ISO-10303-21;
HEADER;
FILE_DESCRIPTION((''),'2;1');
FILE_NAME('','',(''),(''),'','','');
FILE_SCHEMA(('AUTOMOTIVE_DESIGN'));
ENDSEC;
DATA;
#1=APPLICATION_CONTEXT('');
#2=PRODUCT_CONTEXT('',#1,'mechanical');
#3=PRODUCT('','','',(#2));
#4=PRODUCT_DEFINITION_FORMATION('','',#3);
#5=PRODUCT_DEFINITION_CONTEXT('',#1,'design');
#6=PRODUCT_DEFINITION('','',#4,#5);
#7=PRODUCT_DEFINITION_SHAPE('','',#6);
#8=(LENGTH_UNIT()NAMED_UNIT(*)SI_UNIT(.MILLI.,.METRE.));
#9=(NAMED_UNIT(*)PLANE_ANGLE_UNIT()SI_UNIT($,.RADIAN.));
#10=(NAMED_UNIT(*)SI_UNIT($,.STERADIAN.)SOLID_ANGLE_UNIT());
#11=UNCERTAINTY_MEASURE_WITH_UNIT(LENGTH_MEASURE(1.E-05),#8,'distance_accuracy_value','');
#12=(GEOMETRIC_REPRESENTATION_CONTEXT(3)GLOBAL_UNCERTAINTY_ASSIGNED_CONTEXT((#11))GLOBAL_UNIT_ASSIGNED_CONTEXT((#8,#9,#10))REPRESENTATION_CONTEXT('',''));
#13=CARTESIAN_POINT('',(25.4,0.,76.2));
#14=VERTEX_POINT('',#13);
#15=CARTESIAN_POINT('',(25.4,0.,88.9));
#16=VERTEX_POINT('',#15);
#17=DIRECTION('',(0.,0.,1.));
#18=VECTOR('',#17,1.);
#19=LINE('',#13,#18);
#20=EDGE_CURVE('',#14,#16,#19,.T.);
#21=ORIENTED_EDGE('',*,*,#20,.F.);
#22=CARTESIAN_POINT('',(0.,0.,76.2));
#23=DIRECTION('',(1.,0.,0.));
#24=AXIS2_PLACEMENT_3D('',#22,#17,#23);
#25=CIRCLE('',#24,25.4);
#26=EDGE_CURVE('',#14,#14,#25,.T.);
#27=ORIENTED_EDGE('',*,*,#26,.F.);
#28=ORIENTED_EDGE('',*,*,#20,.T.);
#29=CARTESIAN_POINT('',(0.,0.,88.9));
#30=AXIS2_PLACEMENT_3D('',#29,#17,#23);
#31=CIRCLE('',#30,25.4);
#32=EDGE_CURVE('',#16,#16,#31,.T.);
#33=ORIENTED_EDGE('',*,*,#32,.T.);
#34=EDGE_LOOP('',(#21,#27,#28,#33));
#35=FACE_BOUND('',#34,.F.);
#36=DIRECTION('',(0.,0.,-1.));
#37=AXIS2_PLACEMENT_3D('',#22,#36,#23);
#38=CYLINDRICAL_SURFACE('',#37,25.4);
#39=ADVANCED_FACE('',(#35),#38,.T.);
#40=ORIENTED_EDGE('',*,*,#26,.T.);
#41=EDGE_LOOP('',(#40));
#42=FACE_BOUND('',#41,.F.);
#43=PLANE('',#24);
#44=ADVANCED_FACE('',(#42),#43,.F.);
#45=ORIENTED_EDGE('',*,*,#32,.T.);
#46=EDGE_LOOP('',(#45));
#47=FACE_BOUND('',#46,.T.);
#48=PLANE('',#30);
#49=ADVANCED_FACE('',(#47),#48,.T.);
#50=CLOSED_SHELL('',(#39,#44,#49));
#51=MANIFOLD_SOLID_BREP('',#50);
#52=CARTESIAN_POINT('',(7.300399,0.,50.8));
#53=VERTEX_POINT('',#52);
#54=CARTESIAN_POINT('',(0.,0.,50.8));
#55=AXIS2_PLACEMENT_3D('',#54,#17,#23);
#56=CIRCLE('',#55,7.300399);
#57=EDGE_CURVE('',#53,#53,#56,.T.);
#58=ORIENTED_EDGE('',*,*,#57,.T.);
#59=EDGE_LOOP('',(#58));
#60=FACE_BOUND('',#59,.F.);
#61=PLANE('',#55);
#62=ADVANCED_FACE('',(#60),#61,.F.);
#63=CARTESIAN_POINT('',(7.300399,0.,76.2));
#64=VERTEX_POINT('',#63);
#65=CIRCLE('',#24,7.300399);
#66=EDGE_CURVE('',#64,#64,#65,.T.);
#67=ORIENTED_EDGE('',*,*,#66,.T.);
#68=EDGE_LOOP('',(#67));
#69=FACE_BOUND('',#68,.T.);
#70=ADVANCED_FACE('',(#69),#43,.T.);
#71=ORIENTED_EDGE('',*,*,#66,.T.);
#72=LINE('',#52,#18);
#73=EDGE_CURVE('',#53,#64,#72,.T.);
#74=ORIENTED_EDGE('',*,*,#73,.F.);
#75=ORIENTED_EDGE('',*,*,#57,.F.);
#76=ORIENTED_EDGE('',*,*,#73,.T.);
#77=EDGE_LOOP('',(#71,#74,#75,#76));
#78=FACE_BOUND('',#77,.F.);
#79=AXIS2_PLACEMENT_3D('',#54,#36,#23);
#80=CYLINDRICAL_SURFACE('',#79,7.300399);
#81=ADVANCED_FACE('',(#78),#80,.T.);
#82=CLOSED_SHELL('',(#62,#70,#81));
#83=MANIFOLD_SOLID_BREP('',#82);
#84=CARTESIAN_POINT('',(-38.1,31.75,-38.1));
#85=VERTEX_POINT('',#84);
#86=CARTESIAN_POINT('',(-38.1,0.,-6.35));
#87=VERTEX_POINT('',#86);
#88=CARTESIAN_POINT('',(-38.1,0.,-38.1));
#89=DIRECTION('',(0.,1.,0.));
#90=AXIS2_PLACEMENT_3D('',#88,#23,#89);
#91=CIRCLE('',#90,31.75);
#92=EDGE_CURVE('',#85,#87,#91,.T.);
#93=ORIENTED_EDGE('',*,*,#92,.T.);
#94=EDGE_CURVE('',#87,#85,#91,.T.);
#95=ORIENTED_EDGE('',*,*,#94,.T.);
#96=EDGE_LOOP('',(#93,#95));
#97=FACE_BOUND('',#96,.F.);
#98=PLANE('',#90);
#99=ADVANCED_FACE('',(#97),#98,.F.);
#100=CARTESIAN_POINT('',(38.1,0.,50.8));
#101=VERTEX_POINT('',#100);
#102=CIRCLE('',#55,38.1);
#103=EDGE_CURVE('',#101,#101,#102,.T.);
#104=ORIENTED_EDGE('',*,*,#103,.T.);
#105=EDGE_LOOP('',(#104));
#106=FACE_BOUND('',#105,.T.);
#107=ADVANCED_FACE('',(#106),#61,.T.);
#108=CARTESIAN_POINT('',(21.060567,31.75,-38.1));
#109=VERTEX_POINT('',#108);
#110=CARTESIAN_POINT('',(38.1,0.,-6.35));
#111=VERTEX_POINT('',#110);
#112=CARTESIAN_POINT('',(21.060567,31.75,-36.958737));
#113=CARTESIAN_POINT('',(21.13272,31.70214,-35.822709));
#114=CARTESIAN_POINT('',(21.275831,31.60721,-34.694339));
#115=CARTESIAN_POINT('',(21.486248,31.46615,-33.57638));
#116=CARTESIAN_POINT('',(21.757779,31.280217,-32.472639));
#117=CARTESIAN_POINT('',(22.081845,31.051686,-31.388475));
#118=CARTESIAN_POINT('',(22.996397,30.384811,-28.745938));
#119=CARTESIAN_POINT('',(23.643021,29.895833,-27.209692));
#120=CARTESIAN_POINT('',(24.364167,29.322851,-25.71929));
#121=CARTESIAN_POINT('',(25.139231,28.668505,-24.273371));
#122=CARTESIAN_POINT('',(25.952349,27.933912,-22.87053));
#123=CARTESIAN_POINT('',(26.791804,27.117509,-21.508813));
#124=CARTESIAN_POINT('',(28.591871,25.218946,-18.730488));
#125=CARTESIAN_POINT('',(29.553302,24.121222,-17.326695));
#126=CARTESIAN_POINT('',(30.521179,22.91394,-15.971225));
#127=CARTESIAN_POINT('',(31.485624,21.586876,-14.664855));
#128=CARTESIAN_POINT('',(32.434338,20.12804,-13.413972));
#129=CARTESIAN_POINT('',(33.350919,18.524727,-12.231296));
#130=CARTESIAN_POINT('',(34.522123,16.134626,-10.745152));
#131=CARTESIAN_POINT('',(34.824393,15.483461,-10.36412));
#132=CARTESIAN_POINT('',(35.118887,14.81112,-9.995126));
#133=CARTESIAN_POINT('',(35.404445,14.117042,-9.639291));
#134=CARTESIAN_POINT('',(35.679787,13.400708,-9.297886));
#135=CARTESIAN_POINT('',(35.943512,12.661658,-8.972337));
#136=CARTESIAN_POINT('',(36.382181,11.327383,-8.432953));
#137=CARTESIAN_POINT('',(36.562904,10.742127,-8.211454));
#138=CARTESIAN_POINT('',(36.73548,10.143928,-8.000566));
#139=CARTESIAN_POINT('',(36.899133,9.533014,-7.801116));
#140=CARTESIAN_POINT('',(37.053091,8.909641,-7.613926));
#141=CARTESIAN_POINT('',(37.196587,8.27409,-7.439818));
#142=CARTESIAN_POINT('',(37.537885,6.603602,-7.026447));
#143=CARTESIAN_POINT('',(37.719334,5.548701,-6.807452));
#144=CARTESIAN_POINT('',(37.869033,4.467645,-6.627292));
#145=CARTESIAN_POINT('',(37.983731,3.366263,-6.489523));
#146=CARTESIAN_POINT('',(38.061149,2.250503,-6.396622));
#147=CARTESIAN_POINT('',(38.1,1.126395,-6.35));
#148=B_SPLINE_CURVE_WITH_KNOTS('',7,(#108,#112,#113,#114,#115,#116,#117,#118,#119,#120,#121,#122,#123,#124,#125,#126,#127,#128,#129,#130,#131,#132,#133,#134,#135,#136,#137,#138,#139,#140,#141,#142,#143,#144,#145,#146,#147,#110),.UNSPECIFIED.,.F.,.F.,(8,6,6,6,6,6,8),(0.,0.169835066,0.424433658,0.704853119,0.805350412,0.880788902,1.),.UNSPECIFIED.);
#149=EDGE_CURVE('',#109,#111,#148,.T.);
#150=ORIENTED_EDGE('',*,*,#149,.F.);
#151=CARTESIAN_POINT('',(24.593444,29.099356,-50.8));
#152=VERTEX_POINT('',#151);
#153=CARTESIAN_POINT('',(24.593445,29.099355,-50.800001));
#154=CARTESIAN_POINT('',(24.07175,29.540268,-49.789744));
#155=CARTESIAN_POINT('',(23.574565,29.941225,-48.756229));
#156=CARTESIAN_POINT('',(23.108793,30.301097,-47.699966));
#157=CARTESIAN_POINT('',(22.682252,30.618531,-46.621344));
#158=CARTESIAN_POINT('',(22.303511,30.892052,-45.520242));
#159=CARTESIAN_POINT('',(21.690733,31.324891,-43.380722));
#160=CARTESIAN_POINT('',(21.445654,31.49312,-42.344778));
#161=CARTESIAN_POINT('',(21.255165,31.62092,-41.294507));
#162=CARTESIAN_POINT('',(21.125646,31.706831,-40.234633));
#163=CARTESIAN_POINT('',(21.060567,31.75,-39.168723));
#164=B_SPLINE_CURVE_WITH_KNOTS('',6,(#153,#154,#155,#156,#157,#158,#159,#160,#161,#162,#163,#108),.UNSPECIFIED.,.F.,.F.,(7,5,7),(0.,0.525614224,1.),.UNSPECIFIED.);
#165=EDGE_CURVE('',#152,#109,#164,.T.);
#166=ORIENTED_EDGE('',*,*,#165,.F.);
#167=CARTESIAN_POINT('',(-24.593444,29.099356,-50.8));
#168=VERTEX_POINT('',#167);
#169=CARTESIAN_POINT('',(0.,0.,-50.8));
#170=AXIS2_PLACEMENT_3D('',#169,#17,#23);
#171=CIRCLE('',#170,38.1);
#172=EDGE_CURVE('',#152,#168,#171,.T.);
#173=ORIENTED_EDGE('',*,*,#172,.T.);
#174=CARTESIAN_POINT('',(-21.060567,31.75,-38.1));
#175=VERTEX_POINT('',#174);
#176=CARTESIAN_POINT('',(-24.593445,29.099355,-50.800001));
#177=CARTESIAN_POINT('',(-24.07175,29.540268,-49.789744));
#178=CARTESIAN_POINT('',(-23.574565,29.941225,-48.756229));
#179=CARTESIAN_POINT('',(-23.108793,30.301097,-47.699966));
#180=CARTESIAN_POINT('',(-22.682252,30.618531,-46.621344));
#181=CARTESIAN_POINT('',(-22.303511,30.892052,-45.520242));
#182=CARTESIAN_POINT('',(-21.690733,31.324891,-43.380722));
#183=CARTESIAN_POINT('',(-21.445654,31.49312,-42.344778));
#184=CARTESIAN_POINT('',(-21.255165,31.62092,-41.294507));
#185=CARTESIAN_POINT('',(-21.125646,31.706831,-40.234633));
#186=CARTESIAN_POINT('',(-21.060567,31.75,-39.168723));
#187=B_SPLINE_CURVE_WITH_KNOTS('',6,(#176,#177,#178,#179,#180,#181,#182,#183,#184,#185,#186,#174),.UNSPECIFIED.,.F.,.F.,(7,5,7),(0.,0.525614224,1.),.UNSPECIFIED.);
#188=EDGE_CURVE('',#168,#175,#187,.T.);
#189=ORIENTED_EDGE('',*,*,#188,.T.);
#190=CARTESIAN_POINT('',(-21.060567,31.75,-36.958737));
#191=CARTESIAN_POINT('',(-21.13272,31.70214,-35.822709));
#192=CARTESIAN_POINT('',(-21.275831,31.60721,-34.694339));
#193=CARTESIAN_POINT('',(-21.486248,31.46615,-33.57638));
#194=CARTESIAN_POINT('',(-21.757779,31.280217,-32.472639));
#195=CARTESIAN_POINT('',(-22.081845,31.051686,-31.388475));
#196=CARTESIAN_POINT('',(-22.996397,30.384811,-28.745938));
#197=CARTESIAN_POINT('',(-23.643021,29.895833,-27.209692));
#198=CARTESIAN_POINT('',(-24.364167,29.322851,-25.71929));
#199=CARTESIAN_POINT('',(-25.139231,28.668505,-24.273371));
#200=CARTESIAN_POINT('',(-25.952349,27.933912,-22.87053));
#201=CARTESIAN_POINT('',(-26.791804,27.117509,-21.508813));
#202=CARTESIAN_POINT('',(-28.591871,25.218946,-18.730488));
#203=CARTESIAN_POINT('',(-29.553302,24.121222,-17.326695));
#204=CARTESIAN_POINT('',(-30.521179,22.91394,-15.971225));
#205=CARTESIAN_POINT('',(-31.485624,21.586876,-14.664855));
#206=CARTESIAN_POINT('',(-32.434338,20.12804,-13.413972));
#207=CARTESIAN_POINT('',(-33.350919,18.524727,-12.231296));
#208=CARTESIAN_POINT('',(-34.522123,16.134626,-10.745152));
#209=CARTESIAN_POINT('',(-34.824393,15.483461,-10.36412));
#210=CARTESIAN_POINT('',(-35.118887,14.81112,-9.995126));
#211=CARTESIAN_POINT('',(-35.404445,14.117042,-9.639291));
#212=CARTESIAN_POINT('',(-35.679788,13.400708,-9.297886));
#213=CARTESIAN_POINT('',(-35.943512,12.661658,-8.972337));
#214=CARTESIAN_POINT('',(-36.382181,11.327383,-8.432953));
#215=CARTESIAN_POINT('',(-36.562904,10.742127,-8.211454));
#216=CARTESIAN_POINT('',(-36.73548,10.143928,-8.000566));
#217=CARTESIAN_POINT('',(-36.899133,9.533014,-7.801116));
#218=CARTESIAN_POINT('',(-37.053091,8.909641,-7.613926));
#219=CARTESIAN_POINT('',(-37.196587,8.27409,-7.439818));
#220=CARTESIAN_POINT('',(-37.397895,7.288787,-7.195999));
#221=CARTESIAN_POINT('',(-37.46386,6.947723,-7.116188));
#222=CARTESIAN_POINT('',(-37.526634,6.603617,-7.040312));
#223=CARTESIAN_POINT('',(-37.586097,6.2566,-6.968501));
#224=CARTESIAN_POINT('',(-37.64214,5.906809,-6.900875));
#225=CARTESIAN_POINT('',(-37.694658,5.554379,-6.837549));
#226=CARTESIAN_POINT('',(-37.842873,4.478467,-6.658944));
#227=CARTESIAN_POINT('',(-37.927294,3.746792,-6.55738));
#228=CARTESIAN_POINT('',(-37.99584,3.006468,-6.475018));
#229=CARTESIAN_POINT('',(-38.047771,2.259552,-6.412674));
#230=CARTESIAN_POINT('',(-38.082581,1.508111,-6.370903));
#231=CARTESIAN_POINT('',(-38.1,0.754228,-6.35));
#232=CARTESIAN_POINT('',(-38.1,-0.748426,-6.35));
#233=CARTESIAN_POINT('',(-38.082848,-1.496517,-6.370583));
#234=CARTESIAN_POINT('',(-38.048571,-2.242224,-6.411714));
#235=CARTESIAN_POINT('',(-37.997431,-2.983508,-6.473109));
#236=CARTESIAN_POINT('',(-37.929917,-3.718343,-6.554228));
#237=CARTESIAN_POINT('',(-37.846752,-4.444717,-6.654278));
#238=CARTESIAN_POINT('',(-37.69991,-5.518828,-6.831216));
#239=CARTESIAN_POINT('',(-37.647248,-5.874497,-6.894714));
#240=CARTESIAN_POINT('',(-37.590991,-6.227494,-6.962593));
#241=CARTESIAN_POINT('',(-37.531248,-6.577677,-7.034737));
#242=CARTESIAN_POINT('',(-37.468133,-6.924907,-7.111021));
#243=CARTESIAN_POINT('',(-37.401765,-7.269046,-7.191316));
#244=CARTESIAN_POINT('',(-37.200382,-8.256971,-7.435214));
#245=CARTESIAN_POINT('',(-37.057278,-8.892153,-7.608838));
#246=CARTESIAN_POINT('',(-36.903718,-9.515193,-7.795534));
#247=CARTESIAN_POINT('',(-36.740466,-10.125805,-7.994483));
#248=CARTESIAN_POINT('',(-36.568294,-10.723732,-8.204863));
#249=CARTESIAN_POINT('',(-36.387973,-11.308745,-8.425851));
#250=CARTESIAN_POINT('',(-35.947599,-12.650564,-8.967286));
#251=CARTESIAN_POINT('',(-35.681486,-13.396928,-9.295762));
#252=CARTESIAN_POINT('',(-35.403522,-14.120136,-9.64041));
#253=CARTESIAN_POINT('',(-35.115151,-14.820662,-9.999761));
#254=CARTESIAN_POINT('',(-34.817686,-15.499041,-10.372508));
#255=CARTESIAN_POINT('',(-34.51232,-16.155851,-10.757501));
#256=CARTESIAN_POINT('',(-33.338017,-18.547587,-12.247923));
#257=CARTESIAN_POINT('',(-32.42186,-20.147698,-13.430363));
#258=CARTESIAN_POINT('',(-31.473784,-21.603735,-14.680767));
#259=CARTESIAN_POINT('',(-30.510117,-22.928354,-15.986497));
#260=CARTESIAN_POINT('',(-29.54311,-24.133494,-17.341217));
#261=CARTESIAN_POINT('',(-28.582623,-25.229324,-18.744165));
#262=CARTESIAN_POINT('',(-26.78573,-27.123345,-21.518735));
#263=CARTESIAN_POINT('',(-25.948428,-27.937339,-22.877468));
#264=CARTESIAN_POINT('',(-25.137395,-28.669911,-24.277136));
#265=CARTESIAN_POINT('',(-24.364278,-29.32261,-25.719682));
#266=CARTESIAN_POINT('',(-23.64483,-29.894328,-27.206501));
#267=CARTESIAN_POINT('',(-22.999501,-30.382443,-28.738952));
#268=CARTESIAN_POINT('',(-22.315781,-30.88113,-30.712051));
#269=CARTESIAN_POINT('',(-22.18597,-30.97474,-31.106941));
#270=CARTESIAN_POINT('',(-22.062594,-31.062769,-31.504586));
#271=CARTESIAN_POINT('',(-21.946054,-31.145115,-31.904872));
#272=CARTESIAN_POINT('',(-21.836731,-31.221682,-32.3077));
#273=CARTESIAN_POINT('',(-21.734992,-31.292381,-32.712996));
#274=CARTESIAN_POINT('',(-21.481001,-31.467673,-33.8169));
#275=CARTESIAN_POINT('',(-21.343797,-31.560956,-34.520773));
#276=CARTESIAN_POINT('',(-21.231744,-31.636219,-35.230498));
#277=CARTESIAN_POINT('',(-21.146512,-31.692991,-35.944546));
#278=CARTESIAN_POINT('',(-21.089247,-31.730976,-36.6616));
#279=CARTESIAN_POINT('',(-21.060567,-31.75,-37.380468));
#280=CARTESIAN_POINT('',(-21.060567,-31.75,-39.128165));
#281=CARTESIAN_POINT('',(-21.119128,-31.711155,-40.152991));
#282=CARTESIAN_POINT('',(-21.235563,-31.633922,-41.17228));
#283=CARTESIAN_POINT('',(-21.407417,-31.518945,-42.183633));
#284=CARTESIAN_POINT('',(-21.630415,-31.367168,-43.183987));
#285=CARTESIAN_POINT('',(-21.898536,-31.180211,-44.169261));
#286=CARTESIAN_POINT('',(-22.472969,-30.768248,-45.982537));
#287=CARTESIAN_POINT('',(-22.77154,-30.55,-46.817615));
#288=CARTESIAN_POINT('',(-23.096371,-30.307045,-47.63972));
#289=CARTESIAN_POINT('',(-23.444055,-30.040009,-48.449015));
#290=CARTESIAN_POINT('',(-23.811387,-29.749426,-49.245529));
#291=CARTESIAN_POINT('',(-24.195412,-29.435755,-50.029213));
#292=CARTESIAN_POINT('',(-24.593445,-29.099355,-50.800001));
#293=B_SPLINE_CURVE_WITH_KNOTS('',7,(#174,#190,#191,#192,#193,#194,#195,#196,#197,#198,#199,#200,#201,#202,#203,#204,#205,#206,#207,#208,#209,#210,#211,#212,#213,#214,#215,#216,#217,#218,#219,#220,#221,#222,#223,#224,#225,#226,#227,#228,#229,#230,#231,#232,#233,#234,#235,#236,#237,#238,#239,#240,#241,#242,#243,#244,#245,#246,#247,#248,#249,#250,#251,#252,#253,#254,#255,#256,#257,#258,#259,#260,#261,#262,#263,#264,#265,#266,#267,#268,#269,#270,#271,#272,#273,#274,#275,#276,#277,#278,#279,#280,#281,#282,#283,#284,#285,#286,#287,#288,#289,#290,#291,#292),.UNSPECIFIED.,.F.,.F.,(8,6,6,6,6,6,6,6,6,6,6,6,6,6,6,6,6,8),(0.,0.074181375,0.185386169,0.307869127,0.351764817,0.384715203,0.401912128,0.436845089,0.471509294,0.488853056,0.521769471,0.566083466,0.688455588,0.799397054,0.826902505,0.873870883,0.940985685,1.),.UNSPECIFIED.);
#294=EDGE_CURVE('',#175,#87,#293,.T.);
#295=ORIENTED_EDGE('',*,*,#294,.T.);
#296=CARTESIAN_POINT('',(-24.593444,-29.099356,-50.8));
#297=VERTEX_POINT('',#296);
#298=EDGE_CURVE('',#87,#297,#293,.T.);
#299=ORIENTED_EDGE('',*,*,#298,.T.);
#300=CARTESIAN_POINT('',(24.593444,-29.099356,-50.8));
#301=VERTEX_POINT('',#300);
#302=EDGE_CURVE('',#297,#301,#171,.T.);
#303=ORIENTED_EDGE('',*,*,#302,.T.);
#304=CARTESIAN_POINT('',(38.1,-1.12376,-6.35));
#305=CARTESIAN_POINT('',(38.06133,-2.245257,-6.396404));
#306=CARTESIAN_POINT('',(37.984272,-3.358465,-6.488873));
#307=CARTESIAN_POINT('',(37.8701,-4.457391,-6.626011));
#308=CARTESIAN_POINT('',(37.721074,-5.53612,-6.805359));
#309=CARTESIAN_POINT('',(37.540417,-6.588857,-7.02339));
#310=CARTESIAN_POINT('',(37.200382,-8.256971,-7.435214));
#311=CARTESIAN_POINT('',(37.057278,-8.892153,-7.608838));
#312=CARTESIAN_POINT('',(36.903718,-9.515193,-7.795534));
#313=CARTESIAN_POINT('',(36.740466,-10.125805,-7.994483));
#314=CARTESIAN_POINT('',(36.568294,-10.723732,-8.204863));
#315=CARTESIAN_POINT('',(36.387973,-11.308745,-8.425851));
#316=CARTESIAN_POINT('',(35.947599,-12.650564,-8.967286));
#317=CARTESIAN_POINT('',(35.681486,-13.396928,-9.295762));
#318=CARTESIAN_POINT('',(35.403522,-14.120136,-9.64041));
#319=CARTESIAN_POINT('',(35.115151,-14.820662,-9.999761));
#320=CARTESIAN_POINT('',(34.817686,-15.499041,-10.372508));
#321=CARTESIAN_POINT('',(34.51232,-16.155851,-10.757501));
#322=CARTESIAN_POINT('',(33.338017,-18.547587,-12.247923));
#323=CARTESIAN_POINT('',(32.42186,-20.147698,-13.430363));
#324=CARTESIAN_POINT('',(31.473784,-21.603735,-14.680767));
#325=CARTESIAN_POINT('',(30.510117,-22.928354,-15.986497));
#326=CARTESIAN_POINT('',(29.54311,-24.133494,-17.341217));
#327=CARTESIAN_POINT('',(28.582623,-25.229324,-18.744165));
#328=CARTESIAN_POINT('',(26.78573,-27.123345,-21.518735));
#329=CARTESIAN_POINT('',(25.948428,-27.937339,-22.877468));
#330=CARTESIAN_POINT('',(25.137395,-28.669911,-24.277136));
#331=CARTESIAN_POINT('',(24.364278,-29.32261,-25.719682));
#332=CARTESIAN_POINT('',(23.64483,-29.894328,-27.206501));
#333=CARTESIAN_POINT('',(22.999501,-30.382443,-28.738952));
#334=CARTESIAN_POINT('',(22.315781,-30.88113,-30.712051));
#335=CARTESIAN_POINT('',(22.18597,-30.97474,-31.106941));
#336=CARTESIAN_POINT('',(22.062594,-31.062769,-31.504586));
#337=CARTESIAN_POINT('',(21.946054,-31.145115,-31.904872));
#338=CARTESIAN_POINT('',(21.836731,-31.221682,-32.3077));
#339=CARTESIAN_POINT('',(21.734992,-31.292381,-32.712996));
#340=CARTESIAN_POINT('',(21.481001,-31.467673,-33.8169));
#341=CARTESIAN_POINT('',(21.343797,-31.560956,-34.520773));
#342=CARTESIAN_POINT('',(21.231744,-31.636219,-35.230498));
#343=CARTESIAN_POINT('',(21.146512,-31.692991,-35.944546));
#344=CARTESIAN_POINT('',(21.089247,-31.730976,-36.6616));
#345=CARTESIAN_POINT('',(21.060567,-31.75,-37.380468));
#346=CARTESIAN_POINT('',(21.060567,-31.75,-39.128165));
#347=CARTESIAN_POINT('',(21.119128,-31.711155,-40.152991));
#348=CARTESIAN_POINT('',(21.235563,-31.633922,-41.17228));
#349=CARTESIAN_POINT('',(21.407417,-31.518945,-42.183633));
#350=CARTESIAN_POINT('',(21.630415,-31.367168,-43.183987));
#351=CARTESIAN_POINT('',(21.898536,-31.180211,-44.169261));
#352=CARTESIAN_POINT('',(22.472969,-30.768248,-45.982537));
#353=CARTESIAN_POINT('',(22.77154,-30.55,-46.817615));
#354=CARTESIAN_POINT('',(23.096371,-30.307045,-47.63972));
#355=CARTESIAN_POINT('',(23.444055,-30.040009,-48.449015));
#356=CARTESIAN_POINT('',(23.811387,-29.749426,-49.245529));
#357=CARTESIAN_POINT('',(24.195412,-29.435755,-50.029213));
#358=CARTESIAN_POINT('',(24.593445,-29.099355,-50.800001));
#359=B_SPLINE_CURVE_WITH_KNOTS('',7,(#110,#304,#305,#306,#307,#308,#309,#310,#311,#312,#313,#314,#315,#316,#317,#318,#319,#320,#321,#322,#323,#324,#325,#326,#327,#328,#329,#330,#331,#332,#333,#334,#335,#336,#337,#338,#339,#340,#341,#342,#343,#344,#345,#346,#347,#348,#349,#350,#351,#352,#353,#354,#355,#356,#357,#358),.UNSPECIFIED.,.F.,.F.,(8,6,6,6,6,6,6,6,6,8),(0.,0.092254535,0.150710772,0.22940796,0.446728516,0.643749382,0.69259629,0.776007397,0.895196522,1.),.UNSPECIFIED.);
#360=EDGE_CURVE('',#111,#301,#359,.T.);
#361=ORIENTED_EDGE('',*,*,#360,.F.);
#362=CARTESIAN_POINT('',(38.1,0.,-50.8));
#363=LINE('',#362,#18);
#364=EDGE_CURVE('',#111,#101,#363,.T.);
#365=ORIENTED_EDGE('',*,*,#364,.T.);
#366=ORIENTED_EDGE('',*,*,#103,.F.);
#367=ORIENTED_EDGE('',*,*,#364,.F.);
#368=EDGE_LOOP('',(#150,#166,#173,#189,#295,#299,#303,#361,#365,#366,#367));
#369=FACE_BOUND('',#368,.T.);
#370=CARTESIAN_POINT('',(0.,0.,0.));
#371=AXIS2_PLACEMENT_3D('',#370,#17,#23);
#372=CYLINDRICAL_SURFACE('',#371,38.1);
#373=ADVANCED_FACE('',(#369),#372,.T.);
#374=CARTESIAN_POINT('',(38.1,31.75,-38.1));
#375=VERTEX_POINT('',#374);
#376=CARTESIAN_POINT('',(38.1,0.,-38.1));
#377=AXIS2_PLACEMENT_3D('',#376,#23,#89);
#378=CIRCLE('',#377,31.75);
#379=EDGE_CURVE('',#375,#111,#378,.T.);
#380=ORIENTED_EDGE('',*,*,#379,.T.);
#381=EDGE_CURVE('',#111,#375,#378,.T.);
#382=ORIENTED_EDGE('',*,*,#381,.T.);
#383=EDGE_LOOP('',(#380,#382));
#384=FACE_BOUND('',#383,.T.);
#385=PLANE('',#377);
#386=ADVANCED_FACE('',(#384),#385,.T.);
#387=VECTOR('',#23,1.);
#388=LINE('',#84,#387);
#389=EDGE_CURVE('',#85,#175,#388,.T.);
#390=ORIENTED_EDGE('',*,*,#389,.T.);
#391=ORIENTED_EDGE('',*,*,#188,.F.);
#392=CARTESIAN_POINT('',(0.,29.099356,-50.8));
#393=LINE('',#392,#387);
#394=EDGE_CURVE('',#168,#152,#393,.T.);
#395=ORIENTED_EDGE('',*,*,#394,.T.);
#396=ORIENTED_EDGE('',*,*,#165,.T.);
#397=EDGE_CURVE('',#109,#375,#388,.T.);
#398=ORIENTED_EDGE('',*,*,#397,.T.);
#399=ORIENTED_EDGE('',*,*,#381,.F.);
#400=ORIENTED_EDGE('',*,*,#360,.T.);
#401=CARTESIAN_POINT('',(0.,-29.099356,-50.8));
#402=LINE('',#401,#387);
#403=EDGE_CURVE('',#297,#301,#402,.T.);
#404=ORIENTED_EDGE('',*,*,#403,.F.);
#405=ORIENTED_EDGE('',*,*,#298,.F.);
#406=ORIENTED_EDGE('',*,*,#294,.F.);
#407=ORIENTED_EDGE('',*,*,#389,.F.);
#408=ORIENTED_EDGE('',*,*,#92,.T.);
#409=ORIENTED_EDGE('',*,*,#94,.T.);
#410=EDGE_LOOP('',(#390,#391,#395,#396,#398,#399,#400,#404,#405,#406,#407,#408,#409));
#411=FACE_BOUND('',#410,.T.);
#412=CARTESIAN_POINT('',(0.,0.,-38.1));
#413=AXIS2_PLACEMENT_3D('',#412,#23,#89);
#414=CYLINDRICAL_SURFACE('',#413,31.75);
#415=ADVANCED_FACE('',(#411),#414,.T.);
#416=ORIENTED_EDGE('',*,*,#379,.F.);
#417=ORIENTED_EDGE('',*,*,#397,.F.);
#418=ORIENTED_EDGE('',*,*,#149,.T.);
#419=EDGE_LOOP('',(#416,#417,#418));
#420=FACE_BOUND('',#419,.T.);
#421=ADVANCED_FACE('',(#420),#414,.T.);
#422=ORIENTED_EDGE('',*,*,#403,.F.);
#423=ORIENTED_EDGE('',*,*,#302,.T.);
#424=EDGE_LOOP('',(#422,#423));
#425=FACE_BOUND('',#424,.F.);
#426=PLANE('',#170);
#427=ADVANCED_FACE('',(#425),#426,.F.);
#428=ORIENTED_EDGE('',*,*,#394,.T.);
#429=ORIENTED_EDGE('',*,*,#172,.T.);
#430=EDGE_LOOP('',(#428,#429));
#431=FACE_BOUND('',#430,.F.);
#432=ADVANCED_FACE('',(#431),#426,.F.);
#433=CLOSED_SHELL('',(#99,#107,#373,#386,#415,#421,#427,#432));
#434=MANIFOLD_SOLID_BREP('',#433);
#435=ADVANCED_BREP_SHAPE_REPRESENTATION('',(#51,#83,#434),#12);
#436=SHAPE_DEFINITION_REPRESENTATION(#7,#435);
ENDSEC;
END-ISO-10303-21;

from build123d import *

# Parameters (mm, degrees)
F0_R     = 38.1
F1_DEPTH = 50.8
F2_R     = 31.75
F3_DEPTH = 38.1
F4_R     = 7.300399
F5_DEPTH = 25.4
F6_R     = 25.4
F7_DEPTH = 12.7


with BuildPart() as f1:
    # F0 (on Top) → F1 (new body, symmetric)
    with BuildSketch(Plane.XY):
        Circle(F0_R)
    extrude(amount=F1_DEPTH, both=True)

    # F2 (on Right) → F3 (join, symmetric)
    with BuildSketch(Plane.YZ):
        with Locations((0, -38.1)):
            Circle(F2_R)
    extrude(amount=F3_DEPTH, both=True)


with BuildPart() as f5:
    # F4 (on face) → F5 (new body)
    with BuildSketch(Plane.XY.offset(50.8)):
        Circle(F4_R)
    extrude(amount=F5_DEPTH)


with BuildPart() as f7:
    # F6 (on face) → F7 (new body)
    with BuildSketch(Plane.XY.offset(76.2)):
        Circle(F6_R)
    extrude(amount=F7_DEPTH)


solid = Compound([f1.part, f5.part, f7.part])
